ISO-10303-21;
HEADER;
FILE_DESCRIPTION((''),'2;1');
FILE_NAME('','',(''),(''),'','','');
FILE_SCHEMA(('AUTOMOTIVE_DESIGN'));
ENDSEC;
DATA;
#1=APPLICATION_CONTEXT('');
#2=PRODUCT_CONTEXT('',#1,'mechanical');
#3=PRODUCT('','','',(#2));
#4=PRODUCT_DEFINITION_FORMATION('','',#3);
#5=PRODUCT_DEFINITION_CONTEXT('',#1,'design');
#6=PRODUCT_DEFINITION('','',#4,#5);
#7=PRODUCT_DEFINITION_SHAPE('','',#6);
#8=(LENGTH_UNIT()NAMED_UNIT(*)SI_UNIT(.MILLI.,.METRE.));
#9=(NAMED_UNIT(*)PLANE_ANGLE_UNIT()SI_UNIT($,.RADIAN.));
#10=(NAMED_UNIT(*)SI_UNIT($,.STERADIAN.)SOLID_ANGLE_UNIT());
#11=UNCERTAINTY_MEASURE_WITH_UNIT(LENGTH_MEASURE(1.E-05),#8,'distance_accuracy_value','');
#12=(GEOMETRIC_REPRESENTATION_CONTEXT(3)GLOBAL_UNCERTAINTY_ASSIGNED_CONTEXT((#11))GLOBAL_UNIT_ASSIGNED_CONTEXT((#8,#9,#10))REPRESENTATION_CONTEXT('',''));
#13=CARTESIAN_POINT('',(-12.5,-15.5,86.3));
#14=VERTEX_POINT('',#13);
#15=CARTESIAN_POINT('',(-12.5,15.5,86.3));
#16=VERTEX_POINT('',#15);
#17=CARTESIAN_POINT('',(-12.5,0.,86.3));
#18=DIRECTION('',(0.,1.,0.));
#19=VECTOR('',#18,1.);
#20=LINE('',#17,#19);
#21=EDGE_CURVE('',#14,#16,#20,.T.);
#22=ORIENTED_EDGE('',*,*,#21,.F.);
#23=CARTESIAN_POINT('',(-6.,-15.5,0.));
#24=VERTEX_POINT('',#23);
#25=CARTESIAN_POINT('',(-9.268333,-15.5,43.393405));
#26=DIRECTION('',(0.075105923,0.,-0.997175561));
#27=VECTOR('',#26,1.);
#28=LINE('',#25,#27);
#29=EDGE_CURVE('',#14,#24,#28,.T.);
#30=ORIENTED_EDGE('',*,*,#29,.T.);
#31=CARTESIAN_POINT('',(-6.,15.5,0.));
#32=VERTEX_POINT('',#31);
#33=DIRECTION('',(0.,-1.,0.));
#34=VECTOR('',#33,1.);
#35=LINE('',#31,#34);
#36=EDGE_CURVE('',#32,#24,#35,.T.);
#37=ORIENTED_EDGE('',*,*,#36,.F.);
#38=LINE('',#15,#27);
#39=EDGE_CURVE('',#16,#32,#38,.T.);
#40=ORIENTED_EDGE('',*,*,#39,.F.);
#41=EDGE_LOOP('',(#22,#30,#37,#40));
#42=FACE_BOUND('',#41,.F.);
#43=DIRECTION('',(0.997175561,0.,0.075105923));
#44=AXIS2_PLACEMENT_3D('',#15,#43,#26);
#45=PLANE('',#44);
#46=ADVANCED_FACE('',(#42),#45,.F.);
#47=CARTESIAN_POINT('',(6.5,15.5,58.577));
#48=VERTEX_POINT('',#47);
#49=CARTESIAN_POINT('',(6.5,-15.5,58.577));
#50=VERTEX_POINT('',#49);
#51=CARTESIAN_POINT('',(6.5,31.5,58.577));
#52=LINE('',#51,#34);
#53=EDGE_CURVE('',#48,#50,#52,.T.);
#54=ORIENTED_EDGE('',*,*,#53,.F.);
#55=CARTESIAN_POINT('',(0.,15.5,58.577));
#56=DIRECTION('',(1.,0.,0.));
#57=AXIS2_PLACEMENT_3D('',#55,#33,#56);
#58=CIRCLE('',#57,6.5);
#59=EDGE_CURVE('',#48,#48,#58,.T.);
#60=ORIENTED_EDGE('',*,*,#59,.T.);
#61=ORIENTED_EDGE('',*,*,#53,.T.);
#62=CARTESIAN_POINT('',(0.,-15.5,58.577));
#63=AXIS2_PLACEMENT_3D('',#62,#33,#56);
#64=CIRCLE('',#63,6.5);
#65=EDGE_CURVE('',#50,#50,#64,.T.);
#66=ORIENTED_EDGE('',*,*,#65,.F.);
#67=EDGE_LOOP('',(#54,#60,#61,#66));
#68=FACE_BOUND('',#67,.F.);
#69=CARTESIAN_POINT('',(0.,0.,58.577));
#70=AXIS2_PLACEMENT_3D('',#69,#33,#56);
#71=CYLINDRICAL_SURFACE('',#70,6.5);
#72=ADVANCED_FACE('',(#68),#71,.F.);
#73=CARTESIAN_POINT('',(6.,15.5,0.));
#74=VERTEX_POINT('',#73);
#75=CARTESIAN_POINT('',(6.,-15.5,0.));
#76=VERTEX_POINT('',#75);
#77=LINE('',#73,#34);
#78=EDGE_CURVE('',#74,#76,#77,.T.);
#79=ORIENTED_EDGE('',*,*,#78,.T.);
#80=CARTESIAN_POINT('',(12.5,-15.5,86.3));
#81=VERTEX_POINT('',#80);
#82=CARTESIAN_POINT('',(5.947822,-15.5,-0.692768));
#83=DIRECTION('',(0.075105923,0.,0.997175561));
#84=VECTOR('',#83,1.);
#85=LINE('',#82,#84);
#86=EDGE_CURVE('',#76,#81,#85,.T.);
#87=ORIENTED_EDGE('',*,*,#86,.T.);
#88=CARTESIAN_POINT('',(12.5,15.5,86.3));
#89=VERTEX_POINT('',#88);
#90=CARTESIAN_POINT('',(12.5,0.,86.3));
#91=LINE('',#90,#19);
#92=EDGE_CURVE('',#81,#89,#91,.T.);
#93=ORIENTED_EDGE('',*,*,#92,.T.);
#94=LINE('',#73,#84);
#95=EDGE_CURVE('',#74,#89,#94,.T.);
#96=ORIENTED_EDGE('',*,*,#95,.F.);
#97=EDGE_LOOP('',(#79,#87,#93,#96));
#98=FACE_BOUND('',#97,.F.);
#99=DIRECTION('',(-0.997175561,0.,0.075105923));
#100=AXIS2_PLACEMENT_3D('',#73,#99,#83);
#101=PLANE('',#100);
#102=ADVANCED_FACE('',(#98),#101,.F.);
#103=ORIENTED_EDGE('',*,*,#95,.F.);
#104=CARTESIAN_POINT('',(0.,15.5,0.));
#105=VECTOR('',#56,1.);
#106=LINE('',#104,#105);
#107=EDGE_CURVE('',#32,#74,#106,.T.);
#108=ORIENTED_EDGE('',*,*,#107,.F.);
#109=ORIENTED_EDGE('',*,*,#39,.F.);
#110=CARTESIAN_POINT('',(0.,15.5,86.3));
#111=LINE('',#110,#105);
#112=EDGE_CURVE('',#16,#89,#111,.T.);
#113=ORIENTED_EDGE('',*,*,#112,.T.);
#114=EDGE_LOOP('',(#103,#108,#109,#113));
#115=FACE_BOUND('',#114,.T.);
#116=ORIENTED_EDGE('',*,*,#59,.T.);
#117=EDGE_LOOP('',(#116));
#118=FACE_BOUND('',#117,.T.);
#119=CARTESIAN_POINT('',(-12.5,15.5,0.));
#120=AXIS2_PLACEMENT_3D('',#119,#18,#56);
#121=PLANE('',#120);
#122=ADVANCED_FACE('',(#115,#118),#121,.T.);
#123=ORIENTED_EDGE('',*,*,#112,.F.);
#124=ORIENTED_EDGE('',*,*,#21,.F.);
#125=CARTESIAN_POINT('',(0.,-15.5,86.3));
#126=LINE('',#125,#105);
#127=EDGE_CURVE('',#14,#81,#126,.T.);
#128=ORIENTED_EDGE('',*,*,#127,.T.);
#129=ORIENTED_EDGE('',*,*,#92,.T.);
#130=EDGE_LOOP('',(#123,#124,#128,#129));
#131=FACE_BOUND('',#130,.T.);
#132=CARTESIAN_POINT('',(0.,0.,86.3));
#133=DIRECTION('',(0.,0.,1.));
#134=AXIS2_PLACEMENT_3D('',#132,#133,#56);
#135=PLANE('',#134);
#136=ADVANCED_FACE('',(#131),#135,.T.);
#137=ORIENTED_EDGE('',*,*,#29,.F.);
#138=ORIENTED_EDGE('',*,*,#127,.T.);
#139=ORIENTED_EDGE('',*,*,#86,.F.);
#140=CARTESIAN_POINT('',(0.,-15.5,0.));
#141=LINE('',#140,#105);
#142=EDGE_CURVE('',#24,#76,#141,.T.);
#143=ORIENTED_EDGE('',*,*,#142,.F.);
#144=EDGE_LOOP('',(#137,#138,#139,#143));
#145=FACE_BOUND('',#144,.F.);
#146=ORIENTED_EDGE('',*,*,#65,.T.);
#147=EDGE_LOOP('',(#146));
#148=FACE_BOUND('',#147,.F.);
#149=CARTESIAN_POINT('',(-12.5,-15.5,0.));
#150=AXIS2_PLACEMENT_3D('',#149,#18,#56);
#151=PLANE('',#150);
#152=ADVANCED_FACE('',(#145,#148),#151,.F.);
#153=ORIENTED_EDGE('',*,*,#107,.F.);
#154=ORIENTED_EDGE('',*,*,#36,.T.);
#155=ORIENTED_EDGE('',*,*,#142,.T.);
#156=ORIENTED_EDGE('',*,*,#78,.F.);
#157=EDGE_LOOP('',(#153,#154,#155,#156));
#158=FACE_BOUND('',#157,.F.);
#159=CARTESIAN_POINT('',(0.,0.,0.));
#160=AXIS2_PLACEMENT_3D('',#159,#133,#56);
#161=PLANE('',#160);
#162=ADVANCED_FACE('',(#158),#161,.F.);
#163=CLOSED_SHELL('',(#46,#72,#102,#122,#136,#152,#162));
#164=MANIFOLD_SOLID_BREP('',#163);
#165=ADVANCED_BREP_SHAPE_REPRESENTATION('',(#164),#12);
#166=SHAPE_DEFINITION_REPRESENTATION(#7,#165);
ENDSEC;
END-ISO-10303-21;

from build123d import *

# Parameters (mm, degrees)
F0_W     = 25
F0_H     = 31
F1_DEPTH = 86.3
F2_R     = 6.5
F3_DEPTH = 31.5
F5_DEPTH = 31.001


with BuildPart() as f1:
    # F0 (on Top) → F1 (new body)
    with BuildSketch(Plane.XY):
        Rectangle(F0_W, F0_H)
    extrude(amount=F1_DEPTH)

    # F2 (on Front) → F3 (cut, symmetric)
    with BuildSketch(Plane.XZ):
        with Locations((0, 58.577)):
            Circle(F2_R)
    extrude(amount=F3_DEPTH, both=True, mode=Mode.SUBTRACT)

    # F4 (on face) → F5 (cut, through all)
    with BuildSketch(Plane(origin=(0, 15.5, 0), x_dir=(-1, 0, 0), z_dir=(0, 1, 0))):
        Polygon((12.5, 0), (12.5, 86.3), (6, 0), align=None)
        Polygon((-6, 0), (-12.5, 86.3), (-12.5, 0), align=None)
    extrude(amount=-F5_DEPTH, mode=Mode.SUBTRACT)


solid = f1.part
